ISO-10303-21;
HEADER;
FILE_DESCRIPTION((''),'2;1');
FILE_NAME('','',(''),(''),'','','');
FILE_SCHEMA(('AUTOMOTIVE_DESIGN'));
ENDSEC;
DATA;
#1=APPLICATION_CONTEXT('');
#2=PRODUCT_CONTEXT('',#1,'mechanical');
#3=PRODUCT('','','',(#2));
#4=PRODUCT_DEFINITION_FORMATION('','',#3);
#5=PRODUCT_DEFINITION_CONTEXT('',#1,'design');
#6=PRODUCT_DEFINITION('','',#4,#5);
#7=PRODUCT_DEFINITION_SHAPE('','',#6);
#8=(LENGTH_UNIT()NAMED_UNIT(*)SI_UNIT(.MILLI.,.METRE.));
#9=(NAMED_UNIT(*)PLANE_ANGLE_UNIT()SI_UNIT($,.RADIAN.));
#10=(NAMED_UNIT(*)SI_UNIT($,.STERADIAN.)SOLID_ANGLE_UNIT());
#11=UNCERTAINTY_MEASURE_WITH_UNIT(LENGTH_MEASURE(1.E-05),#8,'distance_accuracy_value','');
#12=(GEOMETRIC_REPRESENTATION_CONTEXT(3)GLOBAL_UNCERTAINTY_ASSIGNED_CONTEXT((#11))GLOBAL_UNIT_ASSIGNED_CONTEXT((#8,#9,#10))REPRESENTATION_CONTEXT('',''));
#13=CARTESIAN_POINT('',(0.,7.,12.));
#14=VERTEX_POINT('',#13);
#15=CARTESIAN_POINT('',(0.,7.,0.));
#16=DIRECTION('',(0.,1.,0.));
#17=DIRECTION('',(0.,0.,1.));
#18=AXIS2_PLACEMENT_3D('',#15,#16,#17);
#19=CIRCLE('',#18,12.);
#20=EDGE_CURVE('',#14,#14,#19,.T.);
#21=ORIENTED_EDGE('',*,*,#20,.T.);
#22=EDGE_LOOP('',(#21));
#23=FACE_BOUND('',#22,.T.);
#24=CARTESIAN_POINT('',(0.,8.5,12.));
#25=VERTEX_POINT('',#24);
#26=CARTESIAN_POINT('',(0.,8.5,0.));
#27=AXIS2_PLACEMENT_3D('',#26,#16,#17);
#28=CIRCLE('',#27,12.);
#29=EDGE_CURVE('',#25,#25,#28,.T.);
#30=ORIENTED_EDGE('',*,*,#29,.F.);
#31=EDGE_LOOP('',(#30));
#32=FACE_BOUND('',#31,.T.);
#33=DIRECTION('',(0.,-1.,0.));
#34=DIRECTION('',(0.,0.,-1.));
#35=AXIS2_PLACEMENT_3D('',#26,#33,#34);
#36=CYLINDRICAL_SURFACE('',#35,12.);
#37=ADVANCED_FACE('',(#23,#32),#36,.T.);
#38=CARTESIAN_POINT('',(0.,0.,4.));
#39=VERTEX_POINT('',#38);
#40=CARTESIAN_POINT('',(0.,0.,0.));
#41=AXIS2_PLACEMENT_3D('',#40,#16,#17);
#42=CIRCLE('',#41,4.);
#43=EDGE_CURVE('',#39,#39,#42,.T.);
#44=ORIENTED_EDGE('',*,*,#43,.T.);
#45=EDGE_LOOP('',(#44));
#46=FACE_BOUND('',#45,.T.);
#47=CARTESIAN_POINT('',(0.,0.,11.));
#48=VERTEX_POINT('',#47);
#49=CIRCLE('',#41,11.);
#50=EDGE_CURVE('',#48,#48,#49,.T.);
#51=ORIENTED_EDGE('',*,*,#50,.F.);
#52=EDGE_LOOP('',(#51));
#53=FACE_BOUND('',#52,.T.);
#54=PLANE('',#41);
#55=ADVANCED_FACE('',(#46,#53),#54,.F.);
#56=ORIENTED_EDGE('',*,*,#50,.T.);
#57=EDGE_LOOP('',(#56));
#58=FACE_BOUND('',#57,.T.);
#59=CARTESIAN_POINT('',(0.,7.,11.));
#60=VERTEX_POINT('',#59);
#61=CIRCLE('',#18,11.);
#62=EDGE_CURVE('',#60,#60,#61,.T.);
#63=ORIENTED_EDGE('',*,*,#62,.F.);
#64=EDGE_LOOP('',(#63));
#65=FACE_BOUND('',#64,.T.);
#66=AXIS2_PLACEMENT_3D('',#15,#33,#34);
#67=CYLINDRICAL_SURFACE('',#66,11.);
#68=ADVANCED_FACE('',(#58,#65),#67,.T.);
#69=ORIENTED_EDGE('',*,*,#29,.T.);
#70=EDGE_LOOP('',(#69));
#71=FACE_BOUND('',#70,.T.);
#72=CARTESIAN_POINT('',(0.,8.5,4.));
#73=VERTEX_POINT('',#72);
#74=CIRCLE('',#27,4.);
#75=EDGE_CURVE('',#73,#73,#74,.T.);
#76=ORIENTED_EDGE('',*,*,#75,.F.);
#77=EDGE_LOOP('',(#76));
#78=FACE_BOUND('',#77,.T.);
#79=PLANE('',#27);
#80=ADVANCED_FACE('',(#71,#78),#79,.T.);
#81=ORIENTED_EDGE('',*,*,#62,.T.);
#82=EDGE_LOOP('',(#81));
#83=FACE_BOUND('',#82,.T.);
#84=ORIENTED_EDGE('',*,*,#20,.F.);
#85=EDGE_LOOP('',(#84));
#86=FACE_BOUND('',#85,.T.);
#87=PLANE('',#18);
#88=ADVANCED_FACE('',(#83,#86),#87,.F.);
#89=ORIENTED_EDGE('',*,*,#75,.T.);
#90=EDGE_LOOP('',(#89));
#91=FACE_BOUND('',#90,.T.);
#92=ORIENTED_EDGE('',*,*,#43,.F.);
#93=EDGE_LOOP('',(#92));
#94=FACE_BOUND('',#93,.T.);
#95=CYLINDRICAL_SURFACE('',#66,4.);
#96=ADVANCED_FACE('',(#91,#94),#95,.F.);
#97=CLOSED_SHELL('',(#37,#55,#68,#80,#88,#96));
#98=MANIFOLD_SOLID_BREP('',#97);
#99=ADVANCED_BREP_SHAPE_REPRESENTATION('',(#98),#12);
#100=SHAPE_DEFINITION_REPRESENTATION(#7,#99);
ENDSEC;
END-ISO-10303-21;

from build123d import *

# Parameters (mm, degrees)
SKETCH1_R           = 11
SKETCH1_R_2         = 4
BOSS_EXTRUDE1_DEPTH = 7
SKETCH2_R           = 12
SKETCH2_R_2         = 4
BOSS_EXTRUDE2_DEPTH = 1.5


with BuildPart() as part:
    # Sketch1 → Boss-Extrude1 (new body)
    with BuildSketch(Plane(origin=(0, 0, 0), x_dir=(1, 0, 0), z_dir=(0, 1, 0))):
        with Locations(Location((0, 0, 0), (0, 0, 270))):
            Circle(SKETCH1_R)
        with Locations(Location((0, 0, 0), (0, 0, 270))):
            Circle(SKETCH1_R_2, mode=Mode.SUBTRACT)
    extrude(amount=BOSS_EXTRUDE1_DEPTH)

    # Sketch2 → Boss-Extrude2 (add)
    with BuildSketch(Plane(origin=(0, 7, 0), x_dir=(1, 0, 0), z_dir=(0, 1, 0))):
        with Locations(Location((0, 0, 0), (0, 0, 270))):
            Circle(SKETCH2_R)
        with Locations(Location((0, 0, 0), (0, 0, 270))):
            Circle(SKETCH2_R_2, mode=Mode.SUBTRACT)
    extrude(amount=BOSS_EXTRUDE2_DEPTH)


solid = part.part
